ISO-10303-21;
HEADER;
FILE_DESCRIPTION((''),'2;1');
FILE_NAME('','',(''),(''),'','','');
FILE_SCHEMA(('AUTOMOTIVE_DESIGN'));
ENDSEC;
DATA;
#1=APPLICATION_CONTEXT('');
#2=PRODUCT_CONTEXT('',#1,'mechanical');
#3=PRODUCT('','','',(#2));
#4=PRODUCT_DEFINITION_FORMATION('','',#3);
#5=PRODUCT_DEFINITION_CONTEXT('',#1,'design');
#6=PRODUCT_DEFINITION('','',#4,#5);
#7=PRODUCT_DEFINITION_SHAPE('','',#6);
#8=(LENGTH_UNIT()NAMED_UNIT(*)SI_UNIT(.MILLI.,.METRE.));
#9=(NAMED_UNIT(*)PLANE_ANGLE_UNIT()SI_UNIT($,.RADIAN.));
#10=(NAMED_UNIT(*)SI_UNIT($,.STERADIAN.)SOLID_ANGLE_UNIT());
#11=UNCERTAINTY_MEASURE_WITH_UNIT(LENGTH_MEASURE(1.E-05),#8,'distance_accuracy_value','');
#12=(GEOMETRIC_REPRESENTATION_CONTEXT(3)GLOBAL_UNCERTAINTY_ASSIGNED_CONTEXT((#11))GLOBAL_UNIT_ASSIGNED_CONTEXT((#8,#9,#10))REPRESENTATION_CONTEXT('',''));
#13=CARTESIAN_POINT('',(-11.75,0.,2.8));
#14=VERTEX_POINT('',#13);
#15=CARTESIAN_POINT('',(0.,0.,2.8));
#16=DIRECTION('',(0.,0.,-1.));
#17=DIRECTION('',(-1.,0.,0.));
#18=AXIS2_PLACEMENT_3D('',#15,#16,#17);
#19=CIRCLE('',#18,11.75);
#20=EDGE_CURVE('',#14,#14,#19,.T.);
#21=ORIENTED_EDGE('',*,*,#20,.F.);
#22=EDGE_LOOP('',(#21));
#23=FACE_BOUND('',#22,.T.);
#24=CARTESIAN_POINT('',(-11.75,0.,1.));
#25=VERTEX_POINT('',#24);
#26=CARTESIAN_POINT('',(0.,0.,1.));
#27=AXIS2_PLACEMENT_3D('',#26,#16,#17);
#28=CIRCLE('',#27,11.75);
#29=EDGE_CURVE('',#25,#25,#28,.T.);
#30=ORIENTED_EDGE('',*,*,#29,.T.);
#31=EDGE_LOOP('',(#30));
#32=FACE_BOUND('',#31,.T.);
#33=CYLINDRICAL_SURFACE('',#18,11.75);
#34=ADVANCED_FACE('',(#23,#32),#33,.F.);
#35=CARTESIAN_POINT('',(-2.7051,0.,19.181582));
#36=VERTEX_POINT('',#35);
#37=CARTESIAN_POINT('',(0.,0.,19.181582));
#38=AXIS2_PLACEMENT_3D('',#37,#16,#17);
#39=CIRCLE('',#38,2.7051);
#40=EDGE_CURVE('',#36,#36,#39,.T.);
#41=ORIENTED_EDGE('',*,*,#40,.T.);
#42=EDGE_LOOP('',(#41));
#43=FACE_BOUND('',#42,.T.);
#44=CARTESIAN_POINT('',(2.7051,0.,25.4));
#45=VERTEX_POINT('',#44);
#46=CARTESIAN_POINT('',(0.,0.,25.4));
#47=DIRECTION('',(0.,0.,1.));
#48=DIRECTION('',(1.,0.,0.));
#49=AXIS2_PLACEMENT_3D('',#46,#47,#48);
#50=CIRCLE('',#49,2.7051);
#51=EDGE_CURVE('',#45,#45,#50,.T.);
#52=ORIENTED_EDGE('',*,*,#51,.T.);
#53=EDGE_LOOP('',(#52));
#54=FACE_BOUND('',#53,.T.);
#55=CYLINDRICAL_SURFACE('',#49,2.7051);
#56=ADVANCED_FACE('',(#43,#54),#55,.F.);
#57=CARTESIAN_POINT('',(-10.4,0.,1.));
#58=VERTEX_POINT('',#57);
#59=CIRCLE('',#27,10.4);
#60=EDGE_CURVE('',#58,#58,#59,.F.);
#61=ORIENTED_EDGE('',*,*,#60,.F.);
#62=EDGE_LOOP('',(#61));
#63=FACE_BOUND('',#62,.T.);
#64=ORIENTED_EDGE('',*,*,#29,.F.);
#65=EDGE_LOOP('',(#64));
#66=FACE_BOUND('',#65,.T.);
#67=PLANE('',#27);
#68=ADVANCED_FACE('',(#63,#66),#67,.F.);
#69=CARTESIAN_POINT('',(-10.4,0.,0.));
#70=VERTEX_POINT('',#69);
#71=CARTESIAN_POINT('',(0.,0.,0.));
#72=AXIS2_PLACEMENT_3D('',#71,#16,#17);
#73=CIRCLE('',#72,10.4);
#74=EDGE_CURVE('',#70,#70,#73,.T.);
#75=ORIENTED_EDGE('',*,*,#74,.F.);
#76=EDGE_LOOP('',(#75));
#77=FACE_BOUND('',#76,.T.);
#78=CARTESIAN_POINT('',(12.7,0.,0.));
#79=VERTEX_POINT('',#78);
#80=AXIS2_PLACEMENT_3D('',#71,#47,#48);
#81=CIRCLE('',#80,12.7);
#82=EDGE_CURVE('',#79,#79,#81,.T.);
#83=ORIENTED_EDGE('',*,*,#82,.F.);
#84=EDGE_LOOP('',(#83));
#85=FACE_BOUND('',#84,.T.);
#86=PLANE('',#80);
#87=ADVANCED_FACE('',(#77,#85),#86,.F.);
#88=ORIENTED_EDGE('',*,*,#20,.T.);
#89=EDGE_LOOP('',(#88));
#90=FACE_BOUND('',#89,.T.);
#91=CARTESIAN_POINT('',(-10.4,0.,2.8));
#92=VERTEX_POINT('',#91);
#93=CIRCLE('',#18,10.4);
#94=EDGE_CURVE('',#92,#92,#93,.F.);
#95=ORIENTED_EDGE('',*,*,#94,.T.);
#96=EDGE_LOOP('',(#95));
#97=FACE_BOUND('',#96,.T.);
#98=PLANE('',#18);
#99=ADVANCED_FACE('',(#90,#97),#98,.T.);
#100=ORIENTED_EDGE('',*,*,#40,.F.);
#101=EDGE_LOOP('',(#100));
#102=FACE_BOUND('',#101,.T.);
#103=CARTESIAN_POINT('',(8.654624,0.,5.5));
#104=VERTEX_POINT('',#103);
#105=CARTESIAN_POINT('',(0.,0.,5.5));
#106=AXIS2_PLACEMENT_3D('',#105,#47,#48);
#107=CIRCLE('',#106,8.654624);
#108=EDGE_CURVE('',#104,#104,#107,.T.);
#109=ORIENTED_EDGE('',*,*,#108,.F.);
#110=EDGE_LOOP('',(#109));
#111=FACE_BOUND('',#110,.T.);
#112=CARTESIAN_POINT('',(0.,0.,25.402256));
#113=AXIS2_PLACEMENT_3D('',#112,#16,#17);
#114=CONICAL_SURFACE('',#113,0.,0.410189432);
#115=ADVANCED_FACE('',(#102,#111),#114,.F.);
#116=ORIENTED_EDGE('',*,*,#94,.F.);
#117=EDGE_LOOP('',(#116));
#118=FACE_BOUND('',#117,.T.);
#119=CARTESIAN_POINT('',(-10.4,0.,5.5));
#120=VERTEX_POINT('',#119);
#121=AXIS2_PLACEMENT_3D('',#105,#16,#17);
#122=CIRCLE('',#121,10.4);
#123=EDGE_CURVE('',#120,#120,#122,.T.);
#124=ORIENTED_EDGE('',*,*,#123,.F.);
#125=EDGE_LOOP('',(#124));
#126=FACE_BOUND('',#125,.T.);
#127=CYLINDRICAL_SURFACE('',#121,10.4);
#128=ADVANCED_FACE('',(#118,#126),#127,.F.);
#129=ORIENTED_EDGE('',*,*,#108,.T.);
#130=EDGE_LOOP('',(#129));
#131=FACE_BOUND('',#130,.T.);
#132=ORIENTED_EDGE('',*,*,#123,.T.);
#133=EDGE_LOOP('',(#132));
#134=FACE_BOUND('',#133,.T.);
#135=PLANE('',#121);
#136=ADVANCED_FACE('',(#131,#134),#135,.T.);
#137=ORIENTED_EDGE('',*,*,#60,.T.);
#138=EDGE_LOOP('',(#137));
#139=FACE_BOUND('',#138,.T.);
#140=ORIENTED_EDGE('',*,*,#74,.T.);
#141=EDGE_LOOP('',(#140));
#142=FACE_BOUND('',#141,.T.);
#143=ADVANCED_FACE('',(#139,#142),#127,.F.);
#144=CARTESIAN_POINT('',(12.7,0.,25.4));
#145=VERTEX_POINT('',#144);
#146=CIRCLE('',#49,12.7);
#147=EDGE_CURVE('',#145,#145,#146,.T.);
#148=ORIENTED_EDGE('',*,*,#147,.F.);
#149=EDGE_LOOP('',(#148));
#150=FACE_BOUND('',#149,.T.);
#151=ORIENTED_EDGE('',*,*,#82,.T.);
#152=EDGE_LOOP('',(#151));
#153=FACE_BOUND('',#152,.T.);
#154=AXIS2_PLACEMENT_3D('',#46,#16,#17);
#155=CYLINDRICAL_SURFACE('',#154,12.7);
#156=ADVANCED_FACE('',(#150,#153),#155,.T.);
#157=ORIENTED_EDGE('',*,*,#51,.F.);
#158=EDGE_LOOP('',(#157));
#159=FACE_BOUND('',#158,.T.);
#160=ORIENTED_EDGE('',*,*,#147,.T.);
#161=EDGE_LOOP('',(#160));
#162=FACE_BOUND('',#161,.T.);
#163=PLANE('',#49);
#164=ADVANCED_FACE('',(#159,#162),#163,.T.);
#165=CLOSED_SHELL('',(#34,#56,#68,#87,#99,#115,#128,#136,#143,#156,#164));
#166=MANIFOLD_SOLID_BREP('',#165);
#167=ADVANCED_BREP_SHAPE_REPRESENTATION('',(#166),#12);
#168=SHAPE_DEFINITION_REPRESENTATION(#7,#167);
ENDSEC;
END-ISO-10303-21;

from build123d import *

# Parameters (mm, degrees)
SKETCH1_R               = 12.7
BOSS_EXTRUDE1_DEPTH     = 25.4
SKETCH2_R               = 10.4
CUT_EXTRUDE1_DEPTH      = 5.5
CUT_EXTRUDE2_START      = -1
SKETCH3_R               = 11.75
CUT_EXTRUDE2_DEPTH      = 1.8
F_1_4_28_TAPPED_HOLE1_D = 5.4102


with BuildPart() as part:
    # Sketch1 → Boss-Extrude1 (new body)
    with BuildSketch(Plane.XY):
        Circle(SKETCH1_R)
    extrude(amount=BOSS_EXTRUDE1_DEPTH)

    # Sketch2 → Cut-Extrude1 (cut)
    with BuildSketch(Plane(origin=(0, 0, 0), x_dir=(-1, 0, 0), z_dir=(0, 0, -1))):
        Circle(SKETCH2_R)
    extrude(amount=-CUT_EXTRUDE1_DEPTH, mode=Mode.SUBTRACT)

    # Sketch3 → Cut-Extrude2 (cut)
    with BuildSketch(Plane(origin=(0, 0, 0), x_dir=(-1, 0, 0), z_dir=(0, 0, -1)).offset(CUT_EXTRUDE2_START)):
        Circle(SKETCH3_R)
    extrude(amount=-CUT_EXTRUDE2_DEPTH, mode=Mode.SUBTRACT)

    # 1/4-28 Tapped Hole1 (through all)
    with Locations(Plane.XY.offset(25.4)):
        with Locations((0, 0)):
            Hole(F_1_4_28_TAPPED_HOLE1_D / 2)

    # Sketch10 → Cut-Revolve1 (revolve, cut)
    with BuildSketch(Plane(origin=(0, 0, 0), x_dir=(1, 0, 0), z_dir=(0, 1, 0))):
        Polygon((0, -25.402256059), (8.654624222, -5.5), (0, -5.5), align=None)
    revolve(axis=Axis((0, 0, 29.736025406), (0, 0, -1)), mode=Mode.SUBTRACT)


solid = part.part
